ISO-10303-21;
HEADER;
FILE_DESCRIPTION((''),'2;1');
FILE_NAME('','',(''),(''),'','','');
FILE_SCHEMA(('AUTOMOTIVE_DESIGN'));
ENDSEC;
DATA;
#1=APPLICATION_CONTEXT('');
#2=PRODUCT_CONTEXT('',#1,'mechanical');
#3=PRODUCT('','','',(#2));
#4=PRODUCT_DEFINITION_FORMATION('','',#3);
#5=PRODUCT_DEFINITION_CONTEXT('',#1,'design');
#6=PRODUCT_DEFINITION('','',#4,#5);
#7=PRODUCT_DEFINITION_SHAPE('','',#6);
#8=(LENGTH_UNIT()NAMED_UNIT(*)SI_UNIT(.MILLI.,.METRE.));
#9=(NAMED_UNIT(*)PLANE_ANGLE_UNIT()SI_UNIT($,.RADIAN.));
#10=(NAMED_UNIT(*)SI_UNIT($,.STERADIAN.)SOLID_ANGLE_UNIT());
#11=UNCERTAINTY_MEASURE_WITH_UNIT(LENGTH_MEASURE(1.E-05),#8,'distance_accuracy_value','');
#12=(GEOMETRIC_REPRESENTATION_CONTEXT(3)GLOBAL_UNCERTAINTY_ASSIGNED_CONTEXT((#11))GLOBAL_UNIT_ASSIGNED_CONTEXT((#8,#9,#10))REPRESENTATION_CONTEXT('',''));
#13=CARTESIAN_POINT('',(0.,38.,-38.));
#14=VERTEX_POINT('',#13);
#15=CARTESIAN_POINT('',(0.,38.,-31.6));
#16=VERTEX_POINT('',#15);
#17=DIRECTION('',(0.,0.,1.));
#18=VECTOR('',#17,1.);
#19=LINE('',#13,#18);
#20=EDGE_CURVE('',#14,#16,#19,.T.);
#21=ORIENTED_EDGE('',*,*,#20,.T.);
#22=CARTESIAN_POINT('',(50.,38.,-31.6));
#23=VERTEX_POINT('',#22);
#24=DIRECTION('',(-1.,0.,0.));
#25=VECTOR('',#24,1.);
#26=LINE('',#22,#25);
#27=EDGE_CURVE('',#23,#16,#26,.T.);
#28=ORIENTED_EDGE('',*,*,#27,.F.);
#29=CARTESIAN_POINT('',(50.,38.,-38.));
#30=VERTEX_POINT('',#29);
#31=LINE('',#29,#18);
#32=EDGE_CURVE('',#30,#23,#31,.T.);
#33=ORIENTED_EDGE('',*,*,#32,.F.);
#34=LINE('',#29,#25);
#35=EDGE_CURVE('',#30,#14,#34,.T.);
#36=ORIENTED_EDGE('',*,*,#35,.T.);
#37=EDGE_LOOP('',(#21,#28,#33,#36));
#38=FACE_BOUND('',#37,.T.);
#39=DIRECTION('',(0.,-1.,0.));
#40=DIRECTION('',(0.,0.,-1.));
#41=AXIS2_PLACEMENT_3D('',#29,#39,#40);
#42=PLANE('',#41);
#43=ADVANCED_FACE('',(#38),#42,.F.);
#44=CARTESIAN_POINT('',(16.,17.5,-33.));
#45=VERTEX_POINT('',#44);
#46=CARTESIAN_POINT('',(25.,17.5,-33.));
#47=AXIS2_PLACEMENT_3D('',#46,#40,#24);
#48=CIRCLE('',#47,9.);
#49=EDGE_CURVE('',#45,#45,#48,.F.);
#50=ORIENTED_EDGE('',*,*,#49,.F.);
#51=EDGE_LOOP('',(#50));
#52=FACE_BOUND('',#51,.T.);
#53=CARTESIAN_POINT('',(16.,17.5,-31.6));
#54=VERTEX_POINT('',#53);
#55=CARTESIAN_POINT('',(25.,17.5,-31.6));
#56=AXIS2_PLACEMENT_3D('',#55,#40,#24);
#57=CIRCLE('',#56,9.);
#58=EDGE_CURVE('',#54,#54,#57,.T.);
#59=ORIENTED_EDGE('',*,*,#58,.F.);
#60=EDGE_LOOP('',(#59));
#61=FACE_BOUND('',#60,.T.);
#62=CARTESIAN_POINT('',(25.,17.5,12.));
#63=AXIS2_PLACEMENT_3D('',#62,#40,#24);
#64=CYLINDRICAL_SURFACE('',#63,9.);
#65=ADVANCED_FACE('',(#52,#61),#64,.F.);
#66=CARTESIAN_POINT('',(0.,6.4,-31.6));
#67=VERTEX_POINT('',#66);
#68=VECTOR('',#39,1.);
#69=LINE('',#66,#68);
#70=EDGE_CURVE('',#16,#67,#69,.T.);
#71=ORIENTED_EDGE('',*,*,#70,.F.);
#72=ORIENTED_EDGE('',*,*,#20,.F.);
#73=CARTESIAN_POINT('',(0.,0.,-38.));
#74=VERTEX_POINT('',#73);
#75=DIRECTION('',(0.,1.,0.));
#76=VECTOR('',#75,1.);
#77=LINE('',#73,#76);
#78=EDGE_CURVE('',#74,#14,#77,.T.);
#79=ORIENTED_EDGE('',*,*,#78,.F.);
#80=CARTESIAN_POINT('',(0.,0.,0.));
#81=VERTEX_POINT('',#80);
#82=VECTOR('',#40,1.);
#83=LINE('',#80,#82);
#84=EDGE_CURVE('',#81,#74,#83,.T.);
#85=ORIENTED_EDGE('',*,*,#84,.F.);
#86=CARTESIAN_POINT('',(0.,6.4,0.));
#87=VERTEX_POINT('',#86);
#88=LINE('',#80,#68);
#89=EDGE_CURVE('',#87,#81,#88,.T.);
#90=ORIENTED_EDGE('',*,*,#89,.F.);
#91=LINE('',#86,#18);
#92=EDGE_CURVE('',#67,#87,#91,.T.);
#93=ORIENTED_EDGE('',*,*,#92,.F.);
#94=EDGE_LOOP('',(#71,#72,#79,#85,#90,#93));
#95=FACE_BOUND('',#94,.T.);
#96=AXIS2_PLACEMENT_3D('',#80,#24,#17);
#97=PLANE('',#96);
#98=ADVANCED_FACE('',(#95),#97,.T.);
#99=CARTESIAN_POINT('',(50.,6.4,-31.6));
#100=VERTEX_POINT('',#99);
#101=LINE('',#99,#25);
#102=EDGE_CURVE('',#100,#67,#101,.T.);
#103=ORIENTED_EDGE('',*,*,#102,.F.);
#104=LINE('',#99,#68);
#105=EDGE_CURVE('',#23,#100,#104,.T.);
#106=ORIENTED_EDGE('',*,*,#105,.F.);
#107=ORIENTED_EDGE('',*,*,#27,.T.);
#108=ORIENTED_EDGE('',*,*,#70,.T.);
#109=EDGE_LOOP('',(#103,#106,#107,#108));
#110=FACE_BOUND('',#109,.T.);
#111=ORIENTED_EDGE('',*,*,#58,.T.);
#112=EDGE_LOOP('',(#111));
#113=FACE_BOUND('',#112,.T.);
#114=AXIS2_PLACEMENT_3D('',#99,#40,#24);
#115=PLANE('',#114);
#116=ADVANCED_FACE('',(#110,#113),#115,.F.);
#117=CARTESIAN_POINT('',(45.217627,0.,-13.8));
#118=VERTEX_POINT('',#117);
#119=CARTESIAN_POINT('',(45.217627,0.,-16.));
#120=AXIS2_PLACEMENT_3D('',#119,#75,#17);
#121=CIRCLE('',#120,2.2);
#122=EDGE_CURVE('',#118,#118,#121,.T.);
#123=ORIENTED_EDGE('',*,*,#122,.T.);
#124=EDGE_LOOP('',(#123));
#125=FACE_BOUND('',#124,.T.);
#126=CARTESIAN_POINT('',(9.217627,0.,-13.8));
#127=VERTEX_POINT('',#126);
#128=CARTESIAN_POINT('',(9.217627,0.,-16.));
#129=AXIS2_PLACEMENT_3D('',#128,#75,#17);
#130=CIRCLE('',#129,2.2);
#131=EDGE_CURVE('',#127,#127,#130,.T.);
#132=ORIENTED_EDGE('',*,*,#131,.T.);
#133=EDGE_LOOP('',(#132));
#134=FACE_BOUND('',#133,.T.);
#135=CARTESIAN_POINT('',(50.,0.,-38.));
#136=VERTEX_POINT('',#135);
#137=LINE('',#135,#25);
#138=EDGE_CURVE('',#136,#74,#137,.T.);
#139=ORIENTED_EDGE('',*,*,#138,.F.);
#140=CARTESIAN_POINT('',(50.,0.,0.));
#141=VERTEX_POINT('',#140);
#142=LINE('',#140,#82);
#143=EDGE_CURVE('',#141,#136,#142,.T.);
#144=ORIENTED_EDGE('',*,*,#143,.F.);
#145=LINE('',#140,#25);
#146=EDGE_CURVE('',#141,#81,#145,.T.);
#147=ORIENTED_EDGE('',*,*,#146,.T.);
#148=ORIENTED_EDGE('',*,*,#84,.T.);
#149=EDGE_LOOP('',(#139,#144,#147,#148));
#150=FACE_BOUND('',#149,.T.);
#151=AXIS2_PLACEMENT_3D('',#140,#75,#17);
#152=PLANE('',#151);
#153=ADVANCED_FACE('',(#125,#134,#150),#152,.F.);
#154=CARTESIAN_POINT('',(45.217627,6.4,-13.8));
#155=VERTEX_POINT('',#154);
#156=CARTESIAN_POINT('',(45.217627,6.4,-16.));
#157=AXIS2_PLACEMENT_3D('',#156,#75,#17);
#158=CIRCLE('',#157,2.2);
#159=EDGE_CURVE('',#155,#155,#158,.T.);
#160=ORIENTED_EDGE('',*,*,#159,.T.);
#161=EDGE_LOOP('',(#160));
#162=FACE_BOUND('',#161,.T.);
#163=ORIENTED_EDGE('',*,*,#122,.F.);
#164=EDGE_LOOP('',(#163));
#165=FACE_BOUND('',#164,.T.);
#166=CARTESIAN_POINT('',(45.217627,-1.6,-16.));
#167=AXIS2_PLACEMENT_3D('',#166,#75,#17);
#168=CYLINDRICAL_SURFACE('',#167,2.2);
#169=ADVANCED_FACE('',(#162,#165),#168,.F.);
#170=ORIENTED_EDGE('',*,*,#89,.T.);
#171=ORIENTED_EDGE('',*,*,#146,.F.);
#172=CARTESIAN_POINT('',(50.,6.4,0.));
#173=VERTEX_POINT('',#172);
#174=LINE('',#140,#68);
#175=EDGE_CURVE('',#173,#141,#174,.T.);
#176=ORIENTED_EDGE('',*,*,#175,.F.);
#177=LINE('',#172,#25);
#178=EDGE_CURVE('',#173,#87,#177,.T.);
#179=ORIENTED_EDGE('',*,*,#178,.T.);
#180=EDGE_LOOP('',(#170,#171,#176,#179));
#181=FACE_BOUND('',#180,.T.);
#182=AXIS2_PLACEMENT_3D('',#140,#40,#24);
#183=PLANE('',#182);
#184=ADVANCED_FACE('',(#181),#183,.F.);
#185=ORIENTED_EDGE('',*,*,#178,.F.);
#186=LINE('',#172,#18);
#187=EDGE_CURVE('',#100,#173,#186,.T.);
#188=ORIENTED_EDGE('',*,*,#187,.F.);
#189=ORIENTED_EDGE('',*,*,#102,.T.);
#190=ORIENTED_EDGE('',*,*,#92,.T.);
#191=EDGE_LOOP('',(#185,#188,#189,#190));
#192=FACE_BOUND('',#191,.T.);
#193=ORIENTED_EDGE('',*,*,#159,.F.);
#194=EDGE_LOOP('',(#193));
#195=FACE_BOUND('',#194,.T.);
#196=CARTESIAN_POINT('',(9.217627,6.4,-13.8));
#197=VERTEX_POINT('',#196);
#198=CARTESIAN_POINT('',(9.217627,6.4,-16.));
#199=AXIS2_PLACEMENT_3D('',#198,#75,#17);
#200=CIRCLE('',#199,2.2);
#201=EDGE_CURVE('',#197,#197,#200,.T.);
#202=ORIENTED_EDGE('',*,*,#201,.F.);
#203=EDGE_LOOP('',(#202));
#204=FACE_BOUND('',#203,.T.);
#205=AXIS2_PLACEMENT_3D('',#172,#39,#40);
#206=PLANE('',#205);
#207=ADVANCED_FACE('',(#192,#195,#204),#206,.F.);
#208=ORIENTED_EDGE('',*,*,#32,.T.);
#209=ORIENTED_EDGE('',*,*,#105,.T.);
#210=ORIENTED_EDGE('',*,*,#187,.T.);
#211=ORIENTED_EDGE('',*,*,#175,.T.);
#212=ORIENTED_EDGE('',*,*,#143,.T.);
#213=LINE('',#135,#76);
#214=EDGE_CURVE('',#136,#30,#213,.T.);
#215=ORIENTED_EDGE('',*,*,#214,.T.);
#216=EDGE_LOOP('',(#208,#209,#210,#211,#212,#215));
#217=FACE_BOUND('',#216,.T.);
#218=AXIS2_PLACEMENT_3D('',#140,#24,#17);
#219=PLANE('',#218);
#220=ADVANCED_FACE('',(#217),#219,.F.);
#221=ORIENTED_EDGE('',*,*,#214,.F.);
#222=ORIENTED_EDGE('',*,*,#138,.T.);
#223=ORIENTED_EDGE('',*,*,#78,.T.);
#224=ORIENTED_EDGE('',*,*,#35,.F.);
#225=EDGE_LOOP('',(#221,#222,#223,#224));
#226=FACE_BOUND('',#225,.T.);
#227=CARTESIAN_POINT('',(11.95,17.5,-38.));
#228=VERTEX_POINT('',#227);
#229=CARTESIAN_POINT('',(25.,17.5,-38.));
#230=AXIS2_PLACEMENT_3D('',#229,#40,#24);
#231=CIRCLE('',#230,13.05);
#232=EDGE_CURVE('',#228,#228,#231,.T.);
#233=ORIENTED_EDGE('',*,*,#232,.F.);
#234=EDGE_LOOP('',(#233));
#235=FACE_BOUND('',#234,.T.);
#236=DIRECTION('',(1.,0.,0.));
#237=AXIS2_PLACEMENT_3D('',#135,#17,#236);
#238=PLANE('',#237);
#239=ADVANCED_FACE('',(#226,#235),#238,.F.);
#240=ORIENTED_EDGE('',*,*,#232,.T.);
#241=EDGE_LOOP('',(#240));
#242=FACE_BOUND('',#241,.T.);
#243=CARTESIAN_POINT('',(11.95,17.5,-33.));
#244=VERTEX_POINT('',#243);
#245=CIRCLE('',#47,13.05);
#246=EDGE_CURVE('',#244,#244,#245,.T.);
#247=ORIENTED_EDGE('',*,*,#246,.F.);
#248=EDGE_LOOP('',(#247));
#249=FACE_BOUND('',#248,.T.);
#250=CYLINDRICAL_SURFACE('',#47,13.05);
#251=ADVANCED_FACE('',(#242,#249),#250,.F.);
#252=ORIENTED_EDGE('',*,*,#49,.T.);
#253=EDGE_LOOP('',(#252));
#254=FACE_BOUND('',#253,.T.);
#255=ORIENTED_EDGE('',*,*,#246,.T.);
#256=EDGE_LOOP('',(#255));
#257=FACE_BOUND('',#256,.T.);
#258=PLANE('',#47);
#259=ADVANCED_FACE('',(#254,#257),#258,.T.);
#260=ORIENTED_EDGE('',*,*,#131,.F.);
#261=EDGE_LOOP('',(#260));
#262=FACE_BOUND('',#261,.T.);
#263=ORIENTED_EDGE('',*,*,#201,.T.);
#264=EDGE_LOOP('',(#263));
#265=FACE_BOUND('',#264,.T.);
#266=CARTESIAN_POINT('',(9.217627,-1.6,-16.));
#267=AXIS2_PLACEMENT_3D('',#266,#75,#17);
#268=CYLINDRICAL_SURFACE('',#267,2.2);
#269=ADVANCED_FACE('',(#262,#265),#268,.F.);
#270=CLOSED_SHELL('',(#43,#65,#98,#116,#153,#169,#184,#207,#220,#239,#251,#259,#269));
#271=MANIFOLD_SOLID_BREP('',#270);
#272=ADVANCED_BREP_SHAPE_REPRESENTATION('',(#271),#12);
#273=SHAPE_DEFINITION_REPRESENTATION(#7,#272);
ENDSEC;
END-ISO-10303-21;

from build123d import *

# Parameters (mm, degrees)
BOSS_EXTRUDE1_DEPTH = 50
SKETCH3_R           = 9
CUT_EXTRUDE1_DEPTH  = 50
SKETCH4_R           = 13.05
CUT_EXTRUDE2_DEPTH  = 5
SKETCH6_R           = 2.2
CUT_EXTRUDE3_DEPTH  = 8


with BuildPart() as part:
    # Sketch1 → Boss-Extrude1 (new body)
    with BuildSketch(Plane(origin=(0, 0, 0), x_dir=(0, 0, -1), z_dir=(1, 0, 0))):
        Polygon((0, 0), (38, 0), (38, 38), (31.6, 38), (31.6, 6.4), (0, 6.4), align=None)
    extrude(amount=BOSS_EXTRUDE1_DEPTH)

    # Sketch3 → Cut-Extrude1 (cut)
    with BuildSketch(Plane(origin=(0, 0, -38), x_dir=(-1, 0, 0), z_dir=(0, 0, -1))):
        with Locations((-25, 17.5)):
            Circle(SKETCH3_R)
    extrude(amount=-CUT_EXTRUDE1_DEPTH, mode=Mode.SUBTRACT)

    # Sketch4 → Cut-Extrude2 (cut)
    with BuildSketch(Plane(origin=(0, 0, -38), x_dir=(-1, 0, 0), z_dir=(0, 0, -1))):
        with Locations((-25, 17.5)):
            Circle(SKETCH4_R)
    extrude(amount=-CUT_EXTRUDE2_DEPTH, mode=Mode.SUBTRACT)

    # Sketch6 → Cut-Extrude3 (cut)
    with BuildSketch(Plane(origin=(0, 6.4, 0), x_dir=(1, 0, 0), z_dir=(0, 1, 0))):
        with Locations(Location((9.217627347, 16, 0), (0, 0, 270))):
            Circle(SKETCH6_R)
        with Locations(Location((45.217627347, 16, 0), (0, 0, 270))):
            Circle(SKETCH6_R)
    extrude(amount=-CUT_EXTRUDE3_DEPTH, mode=Mode.SUBTRACT)


solid = part.part
